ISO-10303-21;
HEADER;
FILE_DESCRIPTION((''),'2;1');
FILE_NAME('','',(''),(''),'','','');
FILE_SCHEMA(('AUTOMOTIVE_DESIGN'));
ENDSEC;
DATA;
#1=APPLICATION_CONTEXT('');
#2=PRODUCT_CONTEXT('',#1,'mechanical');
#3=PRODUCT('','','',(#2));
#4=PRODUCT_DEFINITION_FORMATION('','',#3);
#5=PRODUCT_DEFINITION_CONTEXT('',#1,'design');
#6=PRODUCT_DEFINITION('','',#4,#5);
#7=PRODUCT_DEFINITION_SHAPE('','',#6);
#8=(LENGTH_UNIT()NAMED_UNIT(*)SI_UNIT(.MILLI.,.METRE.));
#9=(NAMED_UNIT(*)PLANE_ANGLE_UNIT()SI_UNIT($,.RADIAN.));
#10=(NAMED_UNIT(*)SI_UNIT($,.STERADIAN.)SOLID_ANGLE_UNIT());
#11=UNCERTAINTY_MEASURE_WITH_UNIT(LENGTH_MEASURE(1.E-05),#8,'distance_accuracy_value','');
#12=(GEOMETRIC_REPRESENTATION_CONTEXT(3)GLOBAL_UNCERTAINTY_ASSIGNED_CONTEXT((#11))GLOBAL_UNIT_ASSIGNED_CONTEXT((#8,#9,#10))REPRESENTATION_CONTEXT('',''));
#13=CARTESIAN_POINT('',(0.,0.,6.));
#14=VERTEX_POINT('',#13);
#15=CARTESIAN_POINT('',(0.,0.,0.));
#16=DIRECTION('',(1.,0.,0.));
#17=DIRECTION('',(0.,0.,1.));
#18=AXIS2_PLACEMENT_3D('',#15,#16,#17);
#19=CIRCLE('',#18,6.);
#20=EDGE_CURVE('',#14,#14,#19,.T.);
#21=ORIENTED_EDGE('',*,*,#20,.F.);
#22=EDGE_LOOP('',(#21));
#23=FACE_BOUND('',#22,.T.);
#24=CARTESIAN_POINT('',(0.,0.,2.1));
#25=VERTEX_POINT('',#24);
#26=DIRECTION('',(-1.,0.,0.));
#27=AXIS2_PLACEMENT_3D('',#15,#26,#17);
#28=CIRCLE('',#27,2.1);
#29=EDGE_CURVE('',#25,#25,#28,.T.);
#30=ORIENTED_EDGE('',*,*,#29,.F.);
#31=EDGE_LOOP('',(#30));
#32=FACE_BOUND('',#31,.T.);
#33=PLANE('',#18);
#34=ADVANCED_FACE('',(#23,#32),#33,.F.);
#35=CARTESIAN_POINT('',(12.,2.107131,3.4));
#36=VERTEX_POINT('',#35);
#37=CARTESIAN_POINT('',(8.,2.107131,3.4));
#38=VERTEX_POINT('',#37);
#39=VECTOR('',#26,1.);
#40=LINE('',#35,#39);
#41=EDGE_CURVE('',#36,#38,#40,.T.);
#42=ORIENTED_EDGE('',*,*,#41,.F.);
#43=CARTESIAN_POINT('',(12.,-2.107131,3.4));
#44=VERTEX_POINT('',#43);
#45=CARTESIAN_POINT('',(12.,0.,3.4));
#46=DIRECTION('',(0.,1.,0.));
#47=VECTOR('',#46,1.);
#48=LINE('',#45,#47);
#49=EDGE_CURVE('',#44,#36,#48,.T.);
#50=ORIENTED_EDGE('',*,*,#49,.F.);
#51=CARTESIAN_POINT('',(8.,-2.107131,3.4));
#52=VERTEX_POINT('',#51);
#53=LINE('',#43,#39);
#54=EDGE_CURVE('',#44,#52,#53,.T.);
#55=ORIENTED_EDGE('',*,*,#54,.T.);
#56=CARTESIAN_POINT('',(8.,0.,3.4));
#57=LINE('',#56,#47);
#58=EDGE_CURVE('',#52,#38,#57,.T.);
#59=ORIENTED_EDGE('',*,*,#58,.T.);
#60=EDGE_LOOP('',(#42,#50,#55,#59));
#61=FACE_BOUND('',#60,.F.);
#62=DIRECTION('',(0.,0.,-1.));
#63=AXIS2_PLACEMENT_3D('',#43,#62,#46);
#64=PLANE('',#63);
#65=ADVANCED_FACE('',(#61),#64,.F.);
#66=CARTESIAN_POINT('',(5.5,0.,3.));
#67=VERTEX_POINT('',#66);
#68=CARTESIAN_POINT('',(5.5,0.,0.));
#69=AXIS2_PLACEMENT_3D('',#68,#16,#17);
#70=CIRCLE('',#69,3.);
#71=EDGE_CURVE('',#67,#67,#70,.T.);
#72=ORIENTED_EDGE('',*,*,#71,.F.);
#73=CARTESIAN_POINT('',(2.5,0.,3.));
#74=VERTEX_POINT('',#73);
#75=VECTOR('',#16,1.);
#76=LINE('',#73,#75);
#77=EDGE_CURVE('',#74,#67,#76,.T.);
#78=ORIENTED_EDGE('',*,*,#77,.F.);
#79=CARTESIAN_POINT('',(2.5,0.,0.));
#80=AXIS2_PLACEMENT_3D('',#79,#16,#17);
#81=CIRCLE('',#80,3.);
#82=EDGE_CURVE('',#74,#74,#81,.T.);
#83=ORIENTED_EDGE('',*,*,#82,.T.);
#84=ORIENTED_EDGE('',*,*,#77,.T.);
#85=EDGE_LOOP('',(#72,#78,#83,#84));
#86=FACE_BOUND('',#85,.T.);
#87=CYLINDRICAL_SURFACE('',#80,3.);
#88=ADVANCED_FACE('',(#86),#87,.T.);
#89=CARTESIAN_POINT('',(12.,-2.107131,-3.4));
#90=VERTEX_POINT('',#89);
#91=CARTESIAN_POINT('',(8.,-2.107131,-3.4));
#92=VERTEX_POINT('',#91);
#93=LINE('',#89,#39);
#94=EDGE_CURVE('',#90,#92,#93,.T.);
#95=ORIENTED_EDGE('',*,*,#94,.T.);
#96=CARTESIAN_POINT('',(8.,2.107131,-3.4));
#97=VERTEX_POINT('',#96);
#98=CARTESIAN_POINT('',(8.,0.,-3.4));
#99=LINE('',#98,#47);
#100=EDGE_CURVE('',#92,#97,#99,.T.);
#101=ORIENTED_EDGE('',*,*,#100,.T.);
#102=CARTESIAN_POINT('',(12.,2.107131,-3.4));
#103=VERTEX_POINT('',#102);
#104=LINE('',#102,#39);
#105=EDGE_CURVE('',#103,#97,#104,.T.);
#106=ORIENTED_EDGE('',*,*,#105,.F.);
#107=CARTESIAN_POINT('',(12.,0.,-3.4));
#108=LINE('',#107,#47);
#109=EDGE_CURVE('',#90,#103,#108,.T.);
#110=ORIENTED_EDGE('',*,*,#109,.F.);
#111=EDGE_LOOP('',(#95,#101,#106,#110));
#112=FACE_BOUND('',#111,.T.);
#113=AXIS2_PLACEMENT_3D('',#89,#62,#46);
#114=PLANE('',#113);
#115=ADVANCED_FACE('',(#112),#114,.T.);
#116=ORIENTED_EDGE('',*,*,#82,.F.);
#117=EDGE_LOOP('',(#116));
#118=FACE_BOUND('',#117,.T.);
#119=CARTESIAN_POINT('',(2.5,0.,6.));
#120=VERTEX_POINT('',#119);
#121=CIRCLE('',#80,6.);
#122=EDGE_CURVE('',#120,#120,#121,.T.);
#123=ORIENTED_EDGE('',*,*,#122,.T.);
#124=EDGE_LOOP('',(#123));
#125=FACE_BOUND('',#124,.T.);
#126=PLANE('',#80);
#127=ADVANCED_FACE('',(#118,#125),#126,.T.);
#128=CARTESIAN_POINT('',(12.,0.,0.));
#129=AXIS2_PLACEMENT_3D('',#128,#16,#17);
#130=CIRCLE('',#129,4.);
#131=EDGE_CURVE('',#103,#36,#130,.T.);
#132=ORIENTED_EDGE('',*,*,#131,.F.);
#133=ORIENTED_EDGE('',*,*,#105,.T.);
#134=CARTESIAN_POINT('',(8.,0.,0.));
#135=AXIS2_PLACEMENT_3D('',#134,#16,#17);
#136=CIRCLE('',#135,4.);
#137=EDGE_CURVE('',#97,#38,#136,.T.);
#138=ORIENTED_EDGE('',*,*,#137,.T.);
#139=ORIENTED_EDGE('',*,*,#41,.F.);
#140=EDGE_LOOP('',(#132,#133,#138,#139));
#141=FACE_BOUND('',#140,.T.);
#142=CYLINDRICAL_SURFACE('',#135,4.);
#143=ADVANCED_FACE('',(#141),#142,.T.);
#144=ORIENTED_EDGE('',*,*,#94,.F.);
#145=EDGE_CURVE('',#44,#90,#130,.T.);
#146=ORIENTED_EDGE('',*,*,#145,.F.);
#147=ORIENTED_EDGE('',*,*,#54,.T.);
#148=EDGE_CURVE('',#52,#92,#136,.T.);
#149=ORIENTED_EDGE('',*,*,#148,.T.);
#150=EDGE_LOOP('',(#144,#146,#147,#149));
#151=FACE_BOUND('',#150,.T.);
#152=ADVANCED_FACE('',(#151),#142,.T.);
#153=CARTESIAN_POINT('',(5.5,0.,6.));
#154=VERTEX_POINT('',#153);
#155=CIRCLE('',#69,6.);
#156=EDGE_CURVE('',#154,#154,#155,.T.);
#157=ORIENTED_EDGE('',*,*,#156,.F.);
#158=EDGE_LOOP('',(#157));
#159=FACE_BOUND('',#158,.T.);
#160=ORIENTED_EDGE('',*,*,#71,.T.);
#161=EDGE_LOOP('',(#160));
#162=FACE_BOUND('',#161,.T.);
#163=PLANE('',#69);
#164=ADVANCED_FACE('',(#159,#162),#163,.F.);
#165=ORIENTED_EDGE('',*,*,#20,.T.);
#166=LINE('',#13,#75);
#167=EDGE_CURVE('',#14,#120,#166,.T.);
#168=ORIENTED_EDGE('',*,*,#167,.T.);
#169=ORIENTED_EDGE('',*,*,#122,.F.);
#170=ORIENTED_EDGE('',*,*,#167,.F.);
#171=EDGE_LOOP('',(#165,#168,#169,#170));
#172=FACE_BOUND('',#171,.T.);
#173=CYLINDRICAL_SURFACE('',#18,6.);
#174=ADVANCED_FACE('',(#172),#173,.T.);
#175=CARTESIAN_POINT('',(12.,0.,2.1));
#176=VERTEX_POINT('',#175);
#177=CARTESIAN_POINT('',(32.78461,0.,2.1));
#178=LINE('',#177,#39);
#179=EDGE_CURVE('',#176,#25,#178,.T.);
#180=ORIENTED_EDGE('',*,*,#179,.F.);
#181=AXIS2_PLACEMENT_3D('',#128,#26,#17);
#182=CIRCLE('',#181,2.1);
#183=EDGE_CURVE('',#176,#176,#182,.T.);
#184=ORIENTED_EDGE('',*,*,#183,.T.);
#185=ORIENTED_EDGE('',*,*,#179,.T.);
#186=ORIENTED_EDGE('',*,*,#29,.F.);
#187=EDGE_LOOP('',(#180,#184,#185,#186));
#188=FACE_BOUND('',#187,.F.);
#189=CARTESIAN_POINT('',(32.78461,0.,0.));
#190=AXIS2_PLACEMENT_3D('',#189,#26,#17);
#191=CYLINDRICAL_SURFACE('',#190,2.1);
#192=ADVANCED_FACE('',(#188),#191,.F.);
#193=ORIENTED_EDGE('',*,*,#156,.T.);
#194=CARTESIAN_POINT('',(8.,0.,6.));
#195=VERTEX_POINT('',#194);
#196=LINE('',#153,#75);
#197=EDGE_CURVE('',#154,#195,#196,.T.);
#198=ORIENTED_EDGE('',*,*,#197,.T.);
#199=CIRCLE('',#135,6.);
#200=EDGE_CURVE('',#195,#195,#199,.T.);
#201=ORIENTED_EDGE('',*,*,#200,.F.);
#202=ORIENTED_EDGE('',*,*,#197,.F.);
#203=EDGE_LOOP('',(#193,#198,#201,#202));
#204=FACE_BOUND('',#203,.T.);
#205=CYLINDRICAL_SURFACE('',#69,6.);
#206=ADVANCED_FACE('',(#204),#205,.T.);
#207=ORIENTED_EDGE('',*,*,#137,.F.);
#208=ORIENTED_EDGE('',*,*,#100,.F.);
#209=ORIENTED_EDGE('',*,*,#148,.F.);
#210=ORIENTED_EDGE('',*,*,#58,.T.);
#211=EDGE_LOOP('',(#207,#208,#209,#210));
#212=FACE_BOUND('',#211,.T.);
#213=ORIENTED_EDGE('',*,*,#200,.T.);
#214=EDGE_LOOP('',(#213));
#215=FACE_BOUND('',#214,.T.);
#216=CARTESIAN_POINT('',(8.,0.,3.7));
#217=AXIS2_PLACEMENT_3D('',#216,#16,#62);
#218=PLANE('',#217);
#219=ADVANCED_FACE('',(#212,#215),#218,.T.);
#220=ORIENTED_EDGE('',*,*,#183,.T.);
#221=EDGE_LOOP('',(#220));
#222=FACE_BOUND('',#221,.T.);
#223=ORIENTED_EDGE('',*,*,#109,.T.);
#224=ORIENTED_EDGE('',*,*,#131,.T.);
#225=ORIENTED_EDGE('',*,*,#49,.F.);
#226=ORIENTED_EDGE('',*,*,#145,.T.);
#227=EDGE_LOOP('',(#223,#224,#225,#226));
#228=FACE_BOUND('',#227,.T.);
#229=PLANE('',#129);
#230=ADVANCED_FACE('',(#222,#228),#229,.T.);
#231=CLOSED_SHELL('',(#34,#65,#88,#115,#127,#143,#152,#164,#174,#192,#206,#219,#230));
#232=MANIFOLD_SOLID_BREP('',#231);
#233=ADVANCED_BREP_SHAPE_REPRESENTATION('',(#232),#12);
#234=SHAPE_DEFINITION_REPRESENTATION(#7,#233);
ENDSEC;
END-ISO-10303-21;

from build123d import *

# Parameters (mm, degrees)
HOLE_WIZARD_M5_1_D  = 4.2
SKETCH_6_W          = 0.6
SKETCH_6_H          = 4.214261502
CUT_EXTRUDE_1_DEPTH = 4


with BuildPart() as part:
    # 草图1 → 旋转1 (revolve)
    with BuildSketch(Plane(origin=(0, 0, 0), x_dir=(1, 0, 0), z_dir=(0, 1, 0)), mode=Mode.PRIVATE) as revolve_1_sk:
        Polygon((0, 0), (0, 6), (2.5, 6), (2.5, 3), (5.5, 3), (5.5, 6), (8, 6), (8, 4), (12, 4), (12, 0), align=None)
    revolve(revolve_1_sk.sketch.rotate(Axis((-1000, 0, 0), (1, 0, 0)), 180), axis=Axis((-1000, 0, 0), (1, 0, 0)))

    # M5 螺纹孔1 (through all)
    with Locations(Plane(origin=(12, 0, 0), x_dir=(0, 0, -1), z_dir=(1, 0, 0))):
        with Locations((0, 0)):
            Hole(HOLE_WIZARD_M5_1_D / 2)

    # 草图6 → 切除-拉伸1 (cut)
    with BuildSketch(Plane(origin=(12, 0, 0), x_dir=(0, 0, -1), z_dir=(1, 0, 0))):
        with Locations((-3.7, 0)):
            Rectangle(SKETCH_6_W, SKETCH_6_H)
        with Locations((3.7, 0)):
            Rectangle(SKETCH_6_W, SKETCH_6_H)
    extrude(amount=-CUT_EXTRUDE_1_DEPTH, mode=Mode.SUBTRACT)


solid = part.part
